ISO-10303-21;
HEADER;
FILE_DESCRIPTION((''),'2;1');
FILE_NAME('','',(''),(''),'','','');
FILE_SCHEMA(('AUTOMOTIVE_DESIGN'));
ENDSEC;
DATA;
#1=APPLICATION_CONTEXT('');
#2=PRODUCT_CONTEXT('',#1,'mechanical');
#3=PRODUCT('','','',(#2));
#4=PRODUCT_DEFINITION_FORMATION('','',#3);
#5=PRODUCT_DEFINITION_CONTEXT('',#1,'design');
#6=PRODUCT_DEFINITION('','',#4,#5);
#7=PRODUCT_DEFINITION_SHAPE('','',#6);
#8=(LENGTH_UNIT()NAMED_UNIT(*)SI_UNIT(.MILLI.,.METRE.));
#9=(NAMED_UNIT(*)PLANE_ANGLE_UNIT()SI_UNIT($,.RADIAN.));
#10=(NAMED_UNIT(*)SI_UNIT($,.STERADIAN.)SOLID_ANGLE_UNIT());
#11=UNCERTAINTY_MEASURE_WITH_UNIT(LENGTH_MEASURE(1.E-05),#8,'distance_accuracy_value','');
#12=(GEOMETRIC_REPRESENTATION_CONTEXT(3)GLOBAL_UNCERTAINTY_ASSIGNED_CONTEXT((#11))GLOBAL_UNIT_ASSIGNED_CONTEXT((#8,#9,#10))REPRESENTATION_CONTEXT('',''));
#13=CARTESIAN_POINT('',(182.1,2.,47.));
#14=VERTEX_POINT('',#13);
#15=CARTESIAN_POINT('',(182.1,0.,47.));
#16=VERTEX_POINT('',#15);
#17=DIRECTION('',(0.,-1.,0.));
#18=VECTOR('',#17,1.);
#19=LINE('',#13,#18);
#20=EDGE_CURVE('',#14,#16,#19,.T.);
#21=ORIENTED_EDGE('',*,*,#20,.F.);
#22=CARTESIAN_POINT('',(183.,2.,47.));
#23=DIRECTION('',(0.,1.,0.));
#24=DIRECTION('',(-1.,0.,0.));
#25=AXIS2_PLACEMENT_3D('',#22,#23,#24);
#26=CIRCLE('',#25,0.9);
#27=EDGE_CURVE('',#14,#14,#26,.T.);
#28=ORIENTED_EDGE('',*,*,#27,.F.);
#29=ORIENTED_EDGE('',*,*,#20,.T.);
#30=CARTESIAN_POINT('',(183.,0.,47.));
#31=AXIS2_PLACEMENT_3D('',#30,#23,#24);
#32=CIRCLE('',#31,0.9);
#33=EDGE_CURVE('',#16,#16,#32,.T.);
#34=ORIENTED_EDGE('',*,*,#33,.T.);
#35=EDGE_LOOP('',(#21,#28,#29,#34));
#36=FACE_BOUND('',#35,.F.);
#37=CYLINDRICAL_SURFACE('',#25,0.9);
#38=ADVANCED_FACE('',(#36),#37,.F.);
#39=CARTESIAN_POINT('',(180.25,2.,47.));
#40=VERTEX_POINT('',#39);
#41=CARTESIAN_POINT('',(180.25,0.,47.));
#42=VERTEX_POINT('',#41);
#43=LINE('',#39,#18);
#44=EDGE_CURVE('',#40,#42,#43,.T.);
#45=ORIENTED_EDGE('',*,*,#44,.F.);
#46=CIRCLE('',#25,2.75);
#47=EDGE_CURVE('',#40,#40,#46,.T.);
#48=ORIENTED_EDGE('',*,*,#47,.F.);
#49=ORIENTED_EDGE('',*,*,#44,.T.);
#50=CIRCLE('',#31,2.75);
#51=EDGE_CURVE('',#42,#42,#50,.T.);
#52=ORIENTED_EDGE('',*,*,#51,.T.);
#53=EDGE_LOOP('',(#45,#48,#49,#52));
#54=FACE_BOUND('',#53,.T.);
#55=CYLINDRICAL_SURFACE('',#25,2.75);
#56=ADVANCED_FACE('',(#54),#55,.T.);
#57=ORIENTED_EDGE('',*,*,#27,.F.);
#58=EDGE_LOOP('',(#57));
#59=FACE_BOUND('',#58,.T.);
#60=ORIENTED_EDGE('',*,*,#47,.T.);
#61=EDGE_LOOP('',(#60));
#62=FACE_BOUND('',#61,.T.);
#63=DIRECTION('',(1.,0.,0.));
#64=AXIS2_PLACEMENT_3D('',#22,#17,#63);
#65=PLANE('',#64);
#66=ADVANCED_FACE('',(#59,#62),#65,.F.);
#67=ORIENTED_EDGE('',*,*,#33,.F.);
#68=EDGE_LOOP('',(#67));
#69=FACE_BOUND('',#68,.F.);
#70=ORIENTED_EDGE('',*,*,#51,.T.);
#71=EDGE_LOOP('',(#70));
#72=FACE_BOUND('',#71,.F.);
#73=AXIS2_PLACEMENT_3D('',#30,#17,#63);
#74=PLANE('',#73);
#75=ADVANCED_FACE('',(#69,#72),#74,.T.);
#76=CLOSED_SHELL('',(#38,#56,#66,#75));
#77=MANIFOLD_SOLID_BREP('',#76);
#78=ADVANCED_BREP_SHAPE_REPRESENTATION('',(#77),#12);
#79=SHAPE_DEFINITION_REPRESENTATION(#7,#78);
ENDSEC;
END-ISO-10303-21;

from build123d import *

# Parameters (mm, degrees)
CYLINDER015_R            = 0.9
CYLINDER015_DEPTH        = 2
CYLINDER014_R            = 2.75
CYLINDER014_DEPTH        = 2
CLONE025_PLACEMENT_ANGLE = 90


with BuildPart() as faceanchorscrewhole:
    # Cylinder015 → Cylinder015 (new body)
    with BuildSketch(Plane.XY):
        Circle(CYLINDER015_R)
    extrude(amount=CYLINDER015_DEPTH)


with BuildPart() as faceanchor004:
    # Cylinder014 → Cylinder014 (new body)
    with BuildSketch(Plane.XY):
        Circle(CYLINDER014_R)
    extrude(amount=CYLINDER014_DEPTH)

    # Cut015: cut FaceAnchorScrewHole
    add(faceanchorscrewhole.part, mode=Mode.SUBTRACT)


with BuildPart() as faceanchor004_1:
    # Clone025 placement: moved
    add(faceanchor004.part.moved(Location((-9, 2, 47))).rotate(Axis((-9, 2, 47), (1, 0, 0)), CLONE025_PLACEMENT_ANGLE))


with BuildPart() as part_mirroring027:
    # Part__Mirroring027: instance of FaceAnchor004
    add(faceanchor004_1.part.mirror(Plane(origin=(87, 0, 0), x_dir=(0, -1, 0), z_dir=(1, 0, 0))))


solid = part_mirroring027.part
